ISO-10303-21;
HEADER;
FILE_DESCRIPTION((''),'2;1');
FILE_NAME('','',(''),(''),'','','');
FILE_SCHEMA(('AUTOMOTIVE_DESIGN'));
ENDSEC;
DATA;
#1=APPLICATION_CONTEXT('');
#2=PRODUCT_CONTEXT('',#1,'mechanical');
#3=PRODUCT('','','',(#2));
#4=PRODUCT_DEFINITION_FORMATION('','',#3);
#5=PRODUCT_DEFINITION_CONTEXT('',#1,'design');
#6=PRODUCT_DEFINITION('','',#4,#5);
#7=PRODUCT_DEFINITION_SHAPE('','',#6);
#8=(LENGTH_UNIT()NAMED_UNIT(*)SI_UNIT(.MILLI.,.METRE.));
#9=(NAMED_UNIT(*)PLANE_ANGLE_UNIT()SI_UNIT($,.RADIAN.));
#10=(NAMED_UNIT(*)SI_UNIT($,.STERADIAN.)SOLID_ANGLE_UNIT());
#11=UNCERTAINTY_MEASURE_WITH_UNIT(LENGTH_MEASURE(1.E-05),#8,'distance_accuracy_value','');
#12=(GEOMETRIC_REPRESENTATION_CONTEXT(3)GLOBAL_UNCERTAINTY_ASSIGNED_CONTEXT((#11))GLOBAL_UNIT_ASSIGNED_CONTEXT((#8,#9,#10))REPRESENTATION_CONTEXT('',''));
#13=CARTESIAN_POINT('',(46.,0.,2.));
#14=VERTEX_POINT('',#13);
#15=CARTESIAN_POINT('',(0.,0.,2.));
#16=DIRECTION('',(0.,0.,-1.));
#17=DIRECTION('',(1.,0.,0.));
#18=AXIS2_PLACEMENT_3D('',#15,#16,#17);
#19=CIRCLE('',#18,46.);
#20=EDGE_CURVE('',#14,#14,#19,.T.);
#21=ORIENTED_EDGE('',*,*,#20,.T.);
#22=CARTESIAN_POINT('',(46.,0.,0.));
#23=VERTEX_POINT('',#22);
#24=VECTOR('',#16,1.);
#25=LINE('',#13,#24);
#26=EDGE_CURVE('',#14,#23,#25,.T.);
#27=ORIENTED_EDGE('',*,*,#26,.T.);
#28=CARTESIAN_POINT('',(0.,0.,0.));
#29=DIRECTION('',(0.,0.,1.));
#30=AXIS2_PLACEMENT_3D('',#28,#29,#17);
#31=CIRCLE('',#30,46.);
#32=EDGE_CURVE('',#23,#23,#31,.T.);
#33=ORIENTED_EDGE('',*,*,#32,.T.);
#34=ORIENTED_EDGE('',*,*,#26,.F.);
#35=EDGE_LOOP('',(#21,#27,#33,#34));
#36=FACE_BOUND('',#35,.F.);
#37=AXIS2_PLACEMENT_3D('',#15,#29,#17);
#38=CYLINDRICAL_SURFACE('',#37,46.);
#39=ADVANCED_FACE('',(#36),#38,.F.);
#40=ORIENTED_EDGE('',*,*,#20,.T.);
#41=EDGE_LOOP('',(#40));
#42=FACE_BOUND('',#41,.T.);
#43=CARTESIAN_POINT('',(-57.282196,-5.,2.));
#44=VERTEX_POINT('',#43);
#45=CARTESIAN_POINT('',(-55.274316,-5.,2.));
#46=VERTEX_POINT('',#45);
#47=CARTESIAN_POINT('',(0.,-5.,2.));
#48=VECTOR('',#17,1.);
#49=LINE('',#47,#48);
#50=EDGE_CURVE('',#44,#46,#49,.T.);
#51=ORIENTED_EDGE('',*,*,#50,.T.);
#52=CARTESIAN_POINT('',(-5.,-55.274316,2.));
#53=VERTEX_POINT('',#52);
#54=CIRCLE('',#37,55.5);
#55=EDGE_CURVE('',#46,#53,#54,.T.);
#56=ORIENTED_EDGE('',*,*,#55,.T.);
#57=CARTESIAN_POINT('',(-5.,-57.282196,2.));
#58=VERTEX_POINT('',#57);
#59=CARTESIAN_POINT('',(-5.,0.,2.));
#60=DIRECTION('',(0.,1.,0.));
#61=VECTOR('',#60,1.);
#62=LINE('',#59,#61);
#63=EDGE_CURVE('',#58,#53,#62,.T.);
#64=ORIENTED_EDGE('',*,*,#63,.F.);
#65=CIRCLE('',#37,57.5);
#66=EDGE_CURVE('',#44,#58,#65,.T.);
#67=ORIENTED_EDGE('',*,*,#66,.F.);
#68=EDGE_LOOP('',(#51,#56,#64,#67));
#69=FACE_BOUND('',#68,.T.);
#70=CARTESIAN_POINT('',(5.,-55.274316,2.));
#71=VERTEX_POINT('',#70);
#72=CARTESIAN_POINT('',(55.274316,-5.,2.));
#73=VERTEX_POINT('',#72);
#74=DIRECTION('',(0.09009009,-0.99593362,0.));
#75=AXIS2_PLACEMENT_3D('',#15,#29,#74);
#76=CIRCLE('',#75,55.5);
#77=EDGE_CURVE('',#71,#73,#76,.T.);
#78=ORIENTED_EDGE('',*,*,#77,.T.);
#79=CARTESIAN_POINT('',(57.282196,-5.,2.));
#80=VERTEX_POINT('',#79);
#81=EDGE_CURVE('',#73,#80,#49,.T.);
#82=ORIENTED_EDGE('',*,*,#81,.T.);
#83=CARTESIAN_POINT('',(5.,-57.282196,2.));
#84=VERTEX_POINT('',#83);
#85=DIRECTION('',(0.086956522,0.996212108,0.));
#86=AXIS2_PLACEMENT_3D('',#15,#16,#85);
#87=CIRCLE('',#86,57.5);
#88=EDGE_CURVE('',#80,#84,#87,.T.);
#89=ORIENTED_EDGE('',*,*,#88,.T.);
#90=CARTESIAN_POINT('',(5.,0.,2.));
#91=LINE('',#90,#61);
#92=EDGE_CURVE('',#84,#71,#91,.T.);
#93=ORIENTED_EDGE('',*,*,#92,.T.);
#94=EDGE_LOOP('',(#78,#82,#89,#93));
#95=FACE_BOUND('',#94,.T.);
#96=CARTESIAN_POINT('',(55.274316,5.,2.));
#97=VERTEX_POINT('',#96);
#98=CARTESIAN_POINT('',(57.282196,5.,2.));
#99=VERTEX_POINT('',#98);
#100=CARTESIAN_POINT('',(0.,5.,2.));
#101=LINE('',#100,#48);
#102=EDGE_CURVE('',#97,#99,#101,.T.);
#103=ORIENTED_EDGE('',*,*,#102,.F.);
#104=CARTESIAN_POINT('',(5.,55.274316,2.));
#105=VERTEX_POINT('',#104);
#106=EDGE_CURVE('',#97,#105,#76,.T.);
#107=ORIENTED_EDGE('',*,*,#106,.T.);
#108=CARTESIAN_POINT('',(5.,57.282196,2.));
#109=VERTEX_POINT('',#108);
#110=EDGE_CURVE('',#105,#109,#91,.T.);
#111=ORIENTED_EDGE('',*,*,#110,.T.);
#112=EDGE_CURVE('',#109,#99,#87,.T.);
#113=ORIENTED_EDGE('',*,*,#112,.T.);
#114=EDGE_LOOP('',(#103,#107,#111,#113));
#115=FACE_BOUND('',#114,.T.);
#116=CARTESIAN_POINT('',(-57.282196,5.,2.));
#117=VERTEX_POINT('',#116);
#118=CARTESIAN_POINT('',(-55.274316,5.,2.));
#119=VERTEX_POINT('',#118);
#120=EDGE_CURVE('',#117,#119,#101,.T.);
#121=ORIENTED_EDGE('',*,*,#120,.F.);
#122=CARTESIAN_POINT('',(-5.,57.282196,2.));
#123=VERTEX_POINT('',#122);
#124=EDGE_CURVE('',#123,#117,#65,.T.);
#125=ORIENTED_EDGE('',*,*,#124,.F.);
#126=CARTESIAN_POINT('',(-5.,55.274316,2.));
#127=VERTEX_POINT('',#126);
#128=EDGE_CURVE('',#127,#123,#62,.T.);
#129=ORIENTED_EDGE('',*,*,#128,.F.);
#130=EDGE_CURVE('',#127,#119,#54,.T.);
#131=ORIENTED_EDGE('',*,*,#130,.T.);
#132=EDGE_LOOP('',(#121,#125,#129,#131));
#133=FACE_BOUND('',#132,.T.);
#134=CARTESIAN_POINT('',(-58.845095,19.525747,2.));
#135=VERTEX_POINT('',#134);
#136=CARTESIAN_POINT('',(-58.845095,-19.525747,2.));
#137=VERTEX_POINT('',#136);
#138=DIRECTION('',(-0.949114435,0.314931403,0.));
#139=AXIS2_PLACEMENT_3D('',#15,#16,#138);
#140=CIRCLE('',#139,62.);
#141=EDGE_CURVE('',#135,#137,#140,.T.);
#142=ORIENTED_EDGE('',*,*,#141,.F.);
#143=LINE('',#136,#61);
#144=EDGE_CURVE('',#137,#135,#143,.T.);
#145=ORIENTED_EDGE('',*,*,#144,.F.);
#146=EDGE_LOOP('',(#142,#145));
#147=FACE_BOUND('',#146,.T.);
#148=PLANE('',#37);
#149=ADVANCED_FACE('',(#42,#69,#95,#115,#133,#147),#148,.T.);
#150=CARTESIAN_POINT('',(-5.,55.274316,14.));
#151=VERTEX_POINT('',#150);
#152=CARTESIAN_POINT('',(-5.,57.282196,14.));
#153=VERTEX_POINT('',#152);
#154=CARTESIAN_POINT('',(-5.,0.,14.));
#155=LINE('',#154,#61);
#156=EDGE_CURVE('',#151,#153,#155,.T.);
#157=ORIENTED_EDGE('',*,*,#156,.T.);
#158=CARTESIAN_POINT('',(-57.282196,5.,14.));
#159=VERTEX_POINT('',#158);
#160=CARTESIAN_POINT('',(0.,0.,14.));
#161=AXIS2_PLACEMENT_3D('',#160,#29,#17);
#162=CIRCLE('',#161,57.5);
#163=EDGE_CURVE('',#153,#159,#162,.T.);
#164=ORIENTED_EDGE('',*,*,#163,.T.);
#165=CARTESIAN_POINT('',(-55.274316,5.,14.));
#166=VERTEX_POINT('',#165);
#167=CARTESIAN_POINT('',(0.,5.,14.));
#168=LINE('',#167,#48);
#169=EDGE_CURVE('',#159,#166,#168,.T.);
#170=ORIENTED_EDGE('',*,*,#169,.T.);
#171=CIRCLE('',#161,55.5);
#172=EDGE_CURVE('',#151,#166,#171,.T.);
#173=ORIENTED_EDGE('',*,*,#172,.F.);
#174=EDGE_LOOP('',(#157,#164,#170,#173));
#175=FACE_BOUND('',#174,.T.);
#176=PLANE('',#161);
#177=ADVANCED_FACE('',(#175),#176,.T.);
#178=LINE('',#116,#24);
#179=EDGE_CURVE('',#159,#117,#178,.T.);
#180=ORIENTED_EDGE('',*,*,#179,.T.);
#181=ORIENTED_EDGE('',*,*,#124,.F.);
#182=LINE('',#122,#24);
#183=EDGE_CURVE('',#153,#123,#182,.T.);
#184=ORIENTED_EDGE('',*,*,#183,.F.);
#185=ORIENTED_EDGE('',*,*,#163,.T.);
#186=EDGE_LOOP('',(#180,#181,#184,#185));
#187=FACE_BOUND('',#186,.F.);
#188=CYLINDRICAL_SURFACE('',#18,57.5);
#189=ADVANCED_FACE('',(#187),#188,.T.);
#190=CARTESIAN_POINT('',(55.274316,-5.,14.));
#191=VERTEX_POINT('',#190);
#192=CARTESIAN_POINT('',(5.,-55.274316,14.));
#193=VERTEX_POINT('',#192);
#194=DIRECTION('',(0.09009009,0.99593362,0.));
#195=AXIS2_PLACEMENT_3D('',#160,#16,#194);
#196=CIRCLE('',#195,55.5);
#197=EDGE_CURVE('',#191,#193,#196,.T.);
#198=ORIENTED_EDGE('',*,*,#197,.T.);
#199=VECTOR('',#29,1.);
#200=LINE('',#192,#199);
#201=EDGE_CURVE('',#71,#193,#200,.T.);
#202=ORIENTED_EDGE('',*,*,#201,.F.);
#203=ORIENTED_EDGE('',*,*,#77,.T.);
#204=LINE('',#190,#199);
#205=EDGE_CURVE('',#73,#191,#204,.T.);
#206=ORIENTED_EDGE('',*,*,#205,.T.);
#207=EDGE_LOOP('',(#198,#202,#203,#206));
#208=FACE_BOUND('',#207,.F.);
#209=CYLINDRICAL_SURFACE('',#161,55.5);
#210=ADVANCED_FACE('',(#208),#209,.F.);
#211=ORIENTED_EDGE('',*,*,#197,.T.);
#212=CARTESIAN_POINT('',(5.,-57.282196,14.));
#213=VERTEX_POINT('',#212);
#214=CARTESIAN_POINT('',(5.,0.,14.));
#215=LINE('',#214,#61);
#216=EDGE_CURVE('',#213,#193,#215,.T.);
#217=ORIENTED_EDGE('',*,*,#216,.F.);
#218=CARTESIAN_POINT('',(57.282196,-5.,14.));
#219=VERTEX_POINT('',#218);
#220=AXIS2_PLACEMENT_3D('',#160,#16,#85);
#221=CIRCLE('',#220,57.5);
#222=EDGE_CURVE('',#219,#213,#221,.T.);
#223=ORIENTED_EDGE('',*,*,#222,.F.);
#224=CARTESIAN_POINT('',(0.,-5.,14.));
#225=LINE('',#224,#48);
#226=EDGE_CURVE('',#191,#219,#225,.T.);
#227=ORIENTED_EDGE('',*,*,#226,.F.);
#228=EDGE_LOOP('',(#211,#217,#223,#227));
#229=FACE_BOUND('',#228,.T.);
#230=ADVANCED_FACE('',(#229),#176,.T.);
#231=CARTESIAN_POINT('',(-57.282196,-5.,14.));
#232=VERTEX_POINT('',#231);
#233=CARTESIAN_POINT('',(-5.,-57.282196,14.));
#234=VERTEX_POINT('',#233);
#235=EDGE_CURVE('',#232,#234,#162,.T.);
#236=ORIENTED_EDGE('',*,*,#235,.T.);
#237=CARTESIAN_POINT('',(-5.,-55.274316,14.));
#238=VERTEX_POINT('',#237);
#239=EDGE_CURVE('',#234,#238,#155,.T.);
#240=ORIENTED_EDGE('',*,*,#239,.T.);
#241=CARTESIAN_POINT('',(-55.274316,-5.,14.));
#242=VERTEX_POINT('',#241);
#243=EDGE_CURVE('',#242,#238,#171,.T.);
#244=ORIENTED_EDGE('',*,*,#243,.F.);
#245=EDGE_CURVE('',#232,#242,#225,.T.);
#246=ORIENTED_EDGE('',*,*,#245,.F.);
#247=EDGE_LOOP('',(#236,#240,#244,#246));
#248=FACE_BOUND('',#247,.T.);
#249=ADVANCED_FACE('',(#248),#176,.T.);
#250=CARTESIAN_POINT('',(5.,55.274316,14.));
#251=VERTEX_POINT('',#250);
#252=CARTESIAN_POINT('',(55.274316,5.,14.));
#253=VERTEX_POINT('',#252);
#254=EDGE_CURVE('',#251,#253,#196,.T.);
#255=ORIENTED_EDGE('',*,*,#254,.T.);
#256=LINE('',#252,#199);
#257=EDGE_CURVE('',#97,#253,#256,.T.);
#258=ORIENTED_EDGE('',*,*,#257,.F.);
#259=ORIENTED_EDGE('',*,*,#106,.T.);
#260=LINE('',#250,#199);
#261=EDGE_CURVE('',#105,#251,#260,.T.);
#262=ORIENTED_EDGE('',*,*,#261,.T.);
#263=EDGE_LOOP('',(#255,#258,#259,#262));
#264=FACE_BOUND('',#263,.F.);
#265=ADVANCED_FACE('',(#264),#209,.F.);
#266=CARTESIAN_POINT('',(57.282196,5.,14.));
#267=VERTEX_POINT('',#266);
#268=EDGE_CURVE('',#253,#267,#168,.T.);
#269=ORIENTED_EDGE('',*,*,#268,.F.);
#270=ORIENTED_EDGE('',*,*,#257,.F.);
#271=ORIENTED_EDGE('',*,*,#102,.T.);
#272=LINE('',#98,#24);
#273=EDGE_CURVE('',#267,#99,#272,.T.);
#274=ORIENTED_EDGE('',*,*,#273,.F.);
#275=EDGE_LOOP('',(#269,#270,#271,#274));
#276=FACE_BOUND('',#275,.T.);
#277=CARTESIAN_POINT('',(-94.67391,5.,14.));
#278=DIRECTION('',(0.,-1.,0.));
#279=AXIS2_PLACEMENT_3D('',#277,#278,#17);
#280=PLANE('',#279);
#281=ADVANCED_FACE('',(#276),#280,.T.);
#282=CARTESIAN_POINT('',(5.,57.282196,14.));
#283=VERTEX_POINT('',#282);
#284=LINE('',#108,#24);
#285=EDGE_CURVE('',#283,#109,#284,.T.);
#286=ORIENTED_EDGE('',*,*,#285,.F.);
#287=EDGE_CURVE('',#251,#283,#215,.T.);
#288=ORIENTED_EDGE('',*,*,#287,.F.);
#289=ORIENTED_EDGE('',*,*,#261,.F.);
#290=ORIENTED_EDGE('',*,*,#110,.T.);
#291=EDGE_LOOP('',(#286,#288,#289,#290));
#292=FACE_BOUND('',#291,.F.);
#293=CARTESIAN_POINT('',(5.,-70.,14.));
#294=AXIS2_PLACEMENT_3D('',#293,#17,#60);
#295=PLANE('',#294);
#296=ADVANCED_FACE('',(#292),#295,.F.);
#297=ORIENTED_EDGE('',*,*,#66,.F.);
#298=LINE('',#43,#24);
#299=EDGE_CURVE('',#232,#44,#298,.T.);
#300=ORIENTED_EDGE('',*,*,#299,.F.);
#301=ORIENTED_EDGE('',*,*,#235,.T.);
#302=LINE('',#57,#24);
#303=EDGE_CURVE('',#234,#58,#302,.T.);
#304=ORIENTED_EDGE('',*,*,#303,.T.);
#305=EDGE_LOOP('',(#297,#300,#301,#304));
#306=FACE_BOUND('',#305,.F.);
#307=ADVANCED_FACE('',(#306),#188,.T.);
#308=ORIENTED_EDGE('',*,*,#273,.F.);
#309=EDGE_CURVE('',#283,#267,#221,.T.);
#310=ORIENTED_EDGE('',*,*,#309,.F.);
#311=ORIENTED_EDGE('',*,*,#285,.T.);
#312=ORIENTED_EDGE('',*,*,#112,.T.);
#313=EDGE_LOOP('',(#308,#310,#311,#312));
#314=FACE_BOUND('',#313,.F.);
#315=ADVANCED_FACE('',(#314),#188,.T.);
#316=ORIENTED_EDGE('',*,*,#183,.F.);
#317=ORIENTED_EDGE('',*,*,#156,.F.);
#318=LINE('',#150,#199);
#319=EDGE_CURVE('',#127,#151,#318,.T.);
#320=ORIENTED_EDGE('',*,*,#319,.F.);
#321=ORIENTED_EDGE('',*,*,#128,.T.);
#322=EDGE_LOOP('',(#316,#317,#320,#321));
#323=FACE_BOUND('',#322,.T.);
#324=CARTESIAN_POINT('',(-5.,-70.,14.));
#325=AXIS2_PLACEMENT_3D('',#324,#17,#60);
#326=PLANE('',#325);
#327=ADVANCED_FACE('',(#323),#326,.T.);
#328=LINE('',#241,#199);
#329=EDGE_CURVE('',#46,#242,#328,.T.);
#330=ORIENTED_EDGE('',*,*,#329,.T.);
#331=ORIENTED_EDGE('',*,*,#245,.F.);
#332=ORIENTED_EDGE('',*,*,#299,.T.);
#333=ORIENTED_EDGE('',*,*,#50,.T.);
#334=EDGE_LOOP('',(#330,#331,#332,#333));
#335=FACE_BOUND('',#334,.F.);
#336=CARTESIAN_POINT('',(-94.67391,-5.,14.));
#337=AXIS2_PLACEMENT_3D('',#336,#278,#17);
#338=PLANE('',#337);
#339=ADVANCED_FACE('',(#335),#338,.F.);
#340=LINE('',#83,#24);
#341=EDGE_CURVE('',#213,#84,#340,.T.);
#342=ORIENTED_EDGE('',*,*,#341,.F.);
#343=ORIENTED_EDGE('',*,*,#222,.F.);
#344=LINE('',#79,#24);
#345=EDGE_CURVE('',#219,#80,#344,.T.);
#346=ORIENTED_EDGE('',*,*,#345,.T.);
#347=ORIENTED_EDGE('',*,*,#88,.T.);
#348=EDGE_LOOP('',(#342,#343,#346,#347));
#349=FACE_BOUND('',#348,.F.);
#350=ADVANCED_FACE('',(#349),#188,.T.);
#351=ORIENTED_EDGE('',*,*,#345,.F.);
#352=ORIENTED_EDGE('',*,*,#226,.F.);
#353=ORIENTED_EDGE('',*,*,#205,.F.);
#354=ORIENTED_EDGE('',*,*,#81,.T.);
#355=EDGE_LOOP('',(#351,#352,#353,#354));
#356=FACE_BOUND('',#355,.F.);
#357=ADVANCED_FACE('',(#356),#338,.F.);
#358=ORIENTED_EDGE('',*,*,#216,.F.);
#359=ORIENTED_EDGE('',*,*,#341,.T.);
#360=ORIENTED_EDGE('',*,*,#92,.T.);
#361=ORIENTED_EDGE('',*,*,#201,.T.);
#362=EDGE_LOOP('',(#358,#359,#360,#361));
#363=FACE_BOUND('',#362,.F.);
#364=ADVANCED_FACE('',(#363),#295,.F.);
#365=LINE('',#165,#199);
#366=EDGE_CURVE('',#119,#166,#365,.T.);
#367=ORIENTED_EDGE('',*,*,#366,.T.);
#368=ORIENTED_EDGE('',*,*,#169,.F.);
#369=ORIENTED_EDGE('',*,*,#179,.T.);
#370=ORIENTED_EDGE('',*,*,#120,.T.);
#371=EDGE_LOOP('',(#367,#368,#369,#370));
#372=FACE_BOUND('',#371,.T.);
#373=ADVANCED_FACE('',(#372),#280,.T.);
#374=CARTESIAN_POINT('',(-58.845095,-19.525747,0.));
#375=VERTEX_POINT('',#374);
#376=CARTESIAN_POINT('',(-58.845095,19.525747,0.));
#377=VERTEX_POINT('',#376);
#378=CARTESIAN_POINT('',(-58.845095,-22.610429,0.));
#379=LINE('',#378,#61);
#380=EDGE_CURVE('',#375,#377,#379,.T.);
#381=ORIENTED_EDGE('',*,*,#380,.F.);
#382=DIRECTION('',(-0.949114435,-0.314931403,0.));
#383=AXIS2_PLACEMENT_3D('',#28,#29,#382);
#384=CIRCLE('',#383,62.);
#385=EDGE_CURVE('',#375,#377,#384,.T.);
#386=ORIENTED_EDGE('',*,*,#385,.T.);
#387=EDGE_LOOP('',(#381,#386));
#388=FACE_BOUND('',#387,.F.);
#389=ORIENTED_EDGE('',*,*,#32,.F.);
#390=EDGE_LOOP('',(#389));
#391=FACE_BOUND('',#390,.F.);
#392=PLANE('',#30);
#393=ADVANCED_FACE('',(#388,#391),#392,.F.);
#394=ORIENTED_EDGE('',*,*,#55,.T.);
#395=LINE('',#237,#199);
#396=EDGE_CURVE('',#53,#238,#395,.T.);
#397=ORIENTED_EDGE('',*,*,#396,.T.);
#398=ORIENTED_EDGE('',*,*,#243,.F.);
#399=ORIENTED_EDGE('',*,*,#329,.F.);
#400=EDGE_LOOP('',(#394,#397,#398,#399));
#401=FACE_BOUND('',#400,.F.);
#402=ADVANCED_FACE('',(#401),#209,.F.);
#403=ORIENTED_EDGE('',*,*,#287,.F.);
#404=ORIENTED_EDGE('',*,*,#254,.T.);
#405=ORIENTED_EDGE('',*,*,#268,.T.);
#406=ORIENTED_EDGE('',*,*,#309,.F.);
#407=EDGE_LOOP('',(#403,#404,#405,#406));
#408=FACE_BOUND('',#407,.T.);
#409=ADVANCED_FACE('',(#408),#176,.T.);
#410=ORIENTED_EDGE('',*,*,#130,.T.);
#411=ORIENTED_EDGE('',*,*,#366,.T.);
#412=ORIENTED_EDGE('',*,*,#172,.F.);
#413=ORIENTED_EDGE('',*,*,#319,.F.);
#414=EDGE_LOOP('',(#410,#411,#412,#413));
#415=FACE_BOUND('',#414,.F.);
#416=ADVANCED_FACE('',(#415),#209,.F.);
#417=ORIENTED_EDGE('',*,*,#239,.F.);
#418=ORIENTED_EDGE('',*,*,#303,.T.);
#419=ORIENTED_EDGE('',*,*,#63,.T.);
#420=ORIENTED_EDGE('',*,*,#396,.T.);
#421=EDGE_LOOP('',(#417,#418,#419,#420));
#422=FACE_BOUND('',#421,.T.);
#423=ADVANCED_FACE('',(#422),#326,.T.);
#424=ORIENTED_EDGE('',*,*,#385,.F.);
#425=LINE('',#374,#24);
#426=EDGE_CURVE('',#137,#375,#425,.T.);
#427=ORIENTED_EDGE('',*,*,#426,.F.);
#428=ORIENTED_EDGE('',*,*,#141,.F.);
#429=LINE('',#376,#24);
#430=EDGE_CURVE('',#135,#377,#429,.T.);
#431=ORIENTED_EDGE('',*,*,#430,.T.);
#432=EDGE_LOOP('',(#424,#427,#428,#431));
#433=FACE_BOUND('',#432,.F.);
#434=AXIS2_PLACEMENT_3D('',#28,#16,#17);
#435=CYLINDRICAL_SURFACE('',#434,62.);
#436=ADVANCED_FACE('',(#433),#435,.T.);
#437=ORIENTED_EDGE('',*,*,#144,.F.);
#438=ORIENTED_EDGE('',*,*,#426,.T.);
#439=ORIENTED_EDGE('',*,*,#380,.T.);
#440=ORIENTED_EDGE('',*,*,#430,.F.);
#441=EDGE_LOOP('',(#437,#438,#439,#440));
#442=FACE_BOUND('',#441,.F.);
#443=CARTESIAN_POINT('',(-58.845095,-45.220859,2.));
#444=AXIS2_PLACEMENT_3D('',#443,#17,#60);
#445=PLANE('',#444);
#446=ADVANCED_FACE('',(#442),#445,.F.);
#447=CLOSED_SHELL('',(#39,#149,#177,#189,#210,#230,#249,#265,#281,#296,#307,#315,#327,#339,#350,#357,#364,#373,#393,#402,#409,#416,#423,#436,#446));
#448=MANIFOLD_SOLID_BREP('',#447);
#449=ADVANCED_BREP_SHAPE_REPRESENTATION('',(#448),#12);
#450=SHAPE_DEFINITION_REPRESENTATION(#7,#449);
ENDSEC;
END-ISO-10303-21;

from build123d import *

# Parameters (mm, degrees)
F0_R      = 62
F1_DEPTH  = 2
F2_R      = 57.5
F3_DEPTH  = 12
F4_R      = 55.5
F5_DEPTH  = 12
F6_R      = 46
F7_DEPTH  = 25
F8_W      = 14.107362
F8_H      = 85.80368
F9_DEPTH  = 25
F10_W     = 10
F10_H     = 140
F11_DEPTH = 12
F12_W     = 189.34782
F12_H     = 10
F13_DEPTH = 12


with BuildPart() as f1:
    # F0 (on Top) → F1 (new body)
    with BuildSketch(Plane.XY):
        Circle(F0_R)
    extrude(amount=F1_DEPTH)

    # F2 (on face) → F3 (join)
    with BuildSketch(Plane.XY.offset(2)):
        Circle(F2_R)
    extrude(amount=F3_DEPTH)

    # F4 (on face) → F5 (cut)
    with BuildSketch(Plane.XY.offset(14)):
        Circle(F4_R)
    extrude(amount=-F5_DEPTH, mode=Mode.SUBTRACT)

    # F6 (on face) → F7 (cut)
    with BuildSketch(Plane.XY.offset(2)):
        Circle(F6_R)
    extrude(amount=-F7_DEPTH, mode=Mode.SUBTRACT)

    # F8 (on face) → F9 (cut)
    with BuildSketch(Plane.XY.offset(2)):
        with Locations((-65.898776, -2.319019)):
            Rectangle(F8_W, F8_H)
    extrude(amount=-F9_DEPTH, mode=Mode.SUBTRACT)

    # F10 (on face) → F11 (cut)
    with BuildSketch(Plane.XY.offset(14)):
        Rectangle(F10_W, F10_H)
    extrude(amount=-F11_DEPTH, mode=Mode.SUBTRACT)

    # F12 (on face) → F13 (cut)
    with BuildSketch(Plane.XY.offset(14)):
        Rectangle(F12_W, F12_H)
    extrude(amount=-F13_DEPTH, mode=Mode.SUBTRACT)


solid = f1.part
